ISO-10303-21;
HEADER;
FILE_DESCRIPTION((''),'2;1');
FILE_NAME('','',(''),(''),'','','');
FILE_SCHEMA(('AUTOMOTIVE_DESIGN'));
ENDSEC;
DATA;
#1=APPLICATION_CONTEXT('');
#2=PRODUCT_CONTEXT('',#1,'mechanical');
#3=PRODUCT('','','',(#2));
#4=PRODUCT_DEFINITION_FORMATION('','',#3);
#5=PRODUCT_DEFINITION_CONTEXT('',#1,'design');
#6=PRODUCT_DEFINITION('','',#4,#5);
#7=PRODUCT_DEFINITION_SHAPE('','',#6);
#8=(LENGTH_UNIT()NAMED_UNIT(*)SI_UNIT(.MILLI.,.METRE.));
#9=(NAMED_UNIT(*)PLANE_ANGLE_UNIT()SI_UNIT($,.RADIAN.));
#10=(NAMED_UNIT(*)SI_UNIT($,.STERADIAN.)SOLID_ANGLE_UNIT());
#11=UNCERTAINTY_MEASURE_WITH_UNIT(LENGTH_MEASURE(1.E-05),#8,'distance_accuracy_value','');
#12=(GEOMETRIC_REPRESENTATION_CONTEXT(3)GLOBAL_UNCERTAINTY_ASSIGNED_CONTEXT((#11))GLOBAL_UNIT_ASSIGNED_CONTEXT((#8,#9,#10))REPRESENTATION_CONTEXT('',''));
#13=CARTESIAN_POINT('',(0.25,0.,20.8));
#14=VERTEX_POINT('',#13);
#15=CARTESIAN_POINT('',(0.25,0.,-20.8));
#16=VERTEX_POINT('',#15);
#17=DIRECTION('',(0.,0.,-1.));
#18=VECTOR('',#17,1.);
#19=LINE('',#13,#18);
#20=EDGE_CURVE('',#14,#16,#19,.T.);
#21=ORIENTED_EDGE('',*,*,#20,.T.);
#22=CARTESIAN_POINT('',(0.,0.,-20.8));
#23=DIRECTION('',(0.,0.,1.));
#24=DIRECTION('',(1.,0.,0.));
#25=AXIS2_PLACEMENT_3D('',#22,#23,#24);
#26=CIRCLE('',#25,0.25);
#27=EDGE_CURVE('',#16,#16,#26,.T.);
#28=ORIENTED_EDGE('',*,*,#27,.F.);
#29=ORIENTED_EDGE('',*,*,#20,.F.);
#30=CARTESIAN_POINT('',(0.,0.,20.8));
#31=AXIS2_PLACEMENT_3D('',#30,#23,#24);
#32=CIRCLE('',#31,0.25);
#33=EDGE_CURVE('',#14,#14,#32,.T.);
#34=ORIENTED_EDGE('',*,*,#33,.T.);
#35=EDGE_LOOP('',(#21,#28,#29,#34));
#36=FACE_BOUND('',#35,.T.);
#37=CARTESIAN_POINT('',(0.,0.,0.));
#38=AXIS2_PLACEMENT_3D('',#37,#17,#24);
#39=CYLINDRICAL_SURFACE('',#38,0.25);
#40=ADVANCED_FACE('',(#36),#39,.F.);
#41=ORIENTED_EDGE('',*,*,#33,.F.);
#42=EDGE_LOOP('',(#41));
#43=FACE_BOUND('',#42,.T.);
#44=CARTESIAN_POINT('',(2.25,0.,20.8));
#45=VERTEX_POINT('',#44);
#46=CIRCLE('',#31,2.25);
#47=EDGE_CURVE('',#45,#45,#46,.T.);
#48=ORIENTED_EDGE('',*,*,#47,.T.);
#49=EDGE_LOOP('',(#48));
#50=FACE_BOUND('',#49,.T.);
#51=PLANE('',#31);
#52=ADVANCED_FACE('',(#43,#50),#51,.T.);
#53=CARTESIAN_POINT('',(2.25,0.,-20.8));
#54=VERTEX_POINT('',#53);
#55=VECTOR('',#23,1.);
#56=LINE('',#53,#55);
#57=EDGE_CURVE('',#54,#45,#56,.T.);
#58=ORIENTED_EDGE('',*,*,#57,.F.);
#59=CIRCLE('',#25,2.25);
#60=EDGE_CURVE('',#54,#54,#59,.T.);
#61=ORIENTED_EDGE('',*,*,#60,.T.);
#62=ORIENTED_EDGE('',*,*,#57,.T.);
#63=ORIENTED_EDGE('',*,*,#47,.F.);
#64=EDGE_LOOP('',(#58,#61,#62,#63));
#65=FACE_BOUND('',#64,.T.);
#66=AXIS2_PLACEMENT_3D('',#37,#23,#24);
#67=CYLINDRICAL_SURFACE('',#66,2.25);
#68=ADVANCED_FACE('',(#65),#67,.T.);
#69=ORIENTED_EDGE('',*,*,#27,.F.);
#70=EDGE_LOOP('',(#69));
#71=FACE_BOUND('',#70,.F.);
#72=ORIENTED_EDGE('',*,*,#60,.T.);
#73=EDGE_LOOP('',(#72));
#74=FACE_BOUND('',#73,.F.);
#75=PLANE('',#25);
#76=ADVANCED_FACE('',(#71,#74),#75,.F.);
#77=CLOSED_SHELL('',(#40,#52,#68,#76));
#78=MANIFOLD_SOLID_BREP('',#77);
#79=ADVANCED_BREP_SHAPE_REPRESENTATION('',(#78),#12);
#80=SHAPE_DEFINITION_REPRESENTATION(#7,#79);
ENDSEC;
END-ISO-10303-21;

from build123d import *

# Parameters (mm, degrees)
F0_R     = 2.25
F0_R_2   = 2
F0_R_3   = 0.25
F1_DEPTH = 20.8


with BuildPart() as f1:
    # F0 (on Top) → F1 (new body, symmetric)
    with BuildSketch(Plane.XY):
        Circle(F0_R)
        Circle(F0_R_2, mode=Mode.SUBTRACT)
        Circle(F0_R_2)
        Circle(F0_R_3, mode=Mode.SUBTRACT)
    extrude(amount=F1_DEPTH, both=True)


solid = f1.part
